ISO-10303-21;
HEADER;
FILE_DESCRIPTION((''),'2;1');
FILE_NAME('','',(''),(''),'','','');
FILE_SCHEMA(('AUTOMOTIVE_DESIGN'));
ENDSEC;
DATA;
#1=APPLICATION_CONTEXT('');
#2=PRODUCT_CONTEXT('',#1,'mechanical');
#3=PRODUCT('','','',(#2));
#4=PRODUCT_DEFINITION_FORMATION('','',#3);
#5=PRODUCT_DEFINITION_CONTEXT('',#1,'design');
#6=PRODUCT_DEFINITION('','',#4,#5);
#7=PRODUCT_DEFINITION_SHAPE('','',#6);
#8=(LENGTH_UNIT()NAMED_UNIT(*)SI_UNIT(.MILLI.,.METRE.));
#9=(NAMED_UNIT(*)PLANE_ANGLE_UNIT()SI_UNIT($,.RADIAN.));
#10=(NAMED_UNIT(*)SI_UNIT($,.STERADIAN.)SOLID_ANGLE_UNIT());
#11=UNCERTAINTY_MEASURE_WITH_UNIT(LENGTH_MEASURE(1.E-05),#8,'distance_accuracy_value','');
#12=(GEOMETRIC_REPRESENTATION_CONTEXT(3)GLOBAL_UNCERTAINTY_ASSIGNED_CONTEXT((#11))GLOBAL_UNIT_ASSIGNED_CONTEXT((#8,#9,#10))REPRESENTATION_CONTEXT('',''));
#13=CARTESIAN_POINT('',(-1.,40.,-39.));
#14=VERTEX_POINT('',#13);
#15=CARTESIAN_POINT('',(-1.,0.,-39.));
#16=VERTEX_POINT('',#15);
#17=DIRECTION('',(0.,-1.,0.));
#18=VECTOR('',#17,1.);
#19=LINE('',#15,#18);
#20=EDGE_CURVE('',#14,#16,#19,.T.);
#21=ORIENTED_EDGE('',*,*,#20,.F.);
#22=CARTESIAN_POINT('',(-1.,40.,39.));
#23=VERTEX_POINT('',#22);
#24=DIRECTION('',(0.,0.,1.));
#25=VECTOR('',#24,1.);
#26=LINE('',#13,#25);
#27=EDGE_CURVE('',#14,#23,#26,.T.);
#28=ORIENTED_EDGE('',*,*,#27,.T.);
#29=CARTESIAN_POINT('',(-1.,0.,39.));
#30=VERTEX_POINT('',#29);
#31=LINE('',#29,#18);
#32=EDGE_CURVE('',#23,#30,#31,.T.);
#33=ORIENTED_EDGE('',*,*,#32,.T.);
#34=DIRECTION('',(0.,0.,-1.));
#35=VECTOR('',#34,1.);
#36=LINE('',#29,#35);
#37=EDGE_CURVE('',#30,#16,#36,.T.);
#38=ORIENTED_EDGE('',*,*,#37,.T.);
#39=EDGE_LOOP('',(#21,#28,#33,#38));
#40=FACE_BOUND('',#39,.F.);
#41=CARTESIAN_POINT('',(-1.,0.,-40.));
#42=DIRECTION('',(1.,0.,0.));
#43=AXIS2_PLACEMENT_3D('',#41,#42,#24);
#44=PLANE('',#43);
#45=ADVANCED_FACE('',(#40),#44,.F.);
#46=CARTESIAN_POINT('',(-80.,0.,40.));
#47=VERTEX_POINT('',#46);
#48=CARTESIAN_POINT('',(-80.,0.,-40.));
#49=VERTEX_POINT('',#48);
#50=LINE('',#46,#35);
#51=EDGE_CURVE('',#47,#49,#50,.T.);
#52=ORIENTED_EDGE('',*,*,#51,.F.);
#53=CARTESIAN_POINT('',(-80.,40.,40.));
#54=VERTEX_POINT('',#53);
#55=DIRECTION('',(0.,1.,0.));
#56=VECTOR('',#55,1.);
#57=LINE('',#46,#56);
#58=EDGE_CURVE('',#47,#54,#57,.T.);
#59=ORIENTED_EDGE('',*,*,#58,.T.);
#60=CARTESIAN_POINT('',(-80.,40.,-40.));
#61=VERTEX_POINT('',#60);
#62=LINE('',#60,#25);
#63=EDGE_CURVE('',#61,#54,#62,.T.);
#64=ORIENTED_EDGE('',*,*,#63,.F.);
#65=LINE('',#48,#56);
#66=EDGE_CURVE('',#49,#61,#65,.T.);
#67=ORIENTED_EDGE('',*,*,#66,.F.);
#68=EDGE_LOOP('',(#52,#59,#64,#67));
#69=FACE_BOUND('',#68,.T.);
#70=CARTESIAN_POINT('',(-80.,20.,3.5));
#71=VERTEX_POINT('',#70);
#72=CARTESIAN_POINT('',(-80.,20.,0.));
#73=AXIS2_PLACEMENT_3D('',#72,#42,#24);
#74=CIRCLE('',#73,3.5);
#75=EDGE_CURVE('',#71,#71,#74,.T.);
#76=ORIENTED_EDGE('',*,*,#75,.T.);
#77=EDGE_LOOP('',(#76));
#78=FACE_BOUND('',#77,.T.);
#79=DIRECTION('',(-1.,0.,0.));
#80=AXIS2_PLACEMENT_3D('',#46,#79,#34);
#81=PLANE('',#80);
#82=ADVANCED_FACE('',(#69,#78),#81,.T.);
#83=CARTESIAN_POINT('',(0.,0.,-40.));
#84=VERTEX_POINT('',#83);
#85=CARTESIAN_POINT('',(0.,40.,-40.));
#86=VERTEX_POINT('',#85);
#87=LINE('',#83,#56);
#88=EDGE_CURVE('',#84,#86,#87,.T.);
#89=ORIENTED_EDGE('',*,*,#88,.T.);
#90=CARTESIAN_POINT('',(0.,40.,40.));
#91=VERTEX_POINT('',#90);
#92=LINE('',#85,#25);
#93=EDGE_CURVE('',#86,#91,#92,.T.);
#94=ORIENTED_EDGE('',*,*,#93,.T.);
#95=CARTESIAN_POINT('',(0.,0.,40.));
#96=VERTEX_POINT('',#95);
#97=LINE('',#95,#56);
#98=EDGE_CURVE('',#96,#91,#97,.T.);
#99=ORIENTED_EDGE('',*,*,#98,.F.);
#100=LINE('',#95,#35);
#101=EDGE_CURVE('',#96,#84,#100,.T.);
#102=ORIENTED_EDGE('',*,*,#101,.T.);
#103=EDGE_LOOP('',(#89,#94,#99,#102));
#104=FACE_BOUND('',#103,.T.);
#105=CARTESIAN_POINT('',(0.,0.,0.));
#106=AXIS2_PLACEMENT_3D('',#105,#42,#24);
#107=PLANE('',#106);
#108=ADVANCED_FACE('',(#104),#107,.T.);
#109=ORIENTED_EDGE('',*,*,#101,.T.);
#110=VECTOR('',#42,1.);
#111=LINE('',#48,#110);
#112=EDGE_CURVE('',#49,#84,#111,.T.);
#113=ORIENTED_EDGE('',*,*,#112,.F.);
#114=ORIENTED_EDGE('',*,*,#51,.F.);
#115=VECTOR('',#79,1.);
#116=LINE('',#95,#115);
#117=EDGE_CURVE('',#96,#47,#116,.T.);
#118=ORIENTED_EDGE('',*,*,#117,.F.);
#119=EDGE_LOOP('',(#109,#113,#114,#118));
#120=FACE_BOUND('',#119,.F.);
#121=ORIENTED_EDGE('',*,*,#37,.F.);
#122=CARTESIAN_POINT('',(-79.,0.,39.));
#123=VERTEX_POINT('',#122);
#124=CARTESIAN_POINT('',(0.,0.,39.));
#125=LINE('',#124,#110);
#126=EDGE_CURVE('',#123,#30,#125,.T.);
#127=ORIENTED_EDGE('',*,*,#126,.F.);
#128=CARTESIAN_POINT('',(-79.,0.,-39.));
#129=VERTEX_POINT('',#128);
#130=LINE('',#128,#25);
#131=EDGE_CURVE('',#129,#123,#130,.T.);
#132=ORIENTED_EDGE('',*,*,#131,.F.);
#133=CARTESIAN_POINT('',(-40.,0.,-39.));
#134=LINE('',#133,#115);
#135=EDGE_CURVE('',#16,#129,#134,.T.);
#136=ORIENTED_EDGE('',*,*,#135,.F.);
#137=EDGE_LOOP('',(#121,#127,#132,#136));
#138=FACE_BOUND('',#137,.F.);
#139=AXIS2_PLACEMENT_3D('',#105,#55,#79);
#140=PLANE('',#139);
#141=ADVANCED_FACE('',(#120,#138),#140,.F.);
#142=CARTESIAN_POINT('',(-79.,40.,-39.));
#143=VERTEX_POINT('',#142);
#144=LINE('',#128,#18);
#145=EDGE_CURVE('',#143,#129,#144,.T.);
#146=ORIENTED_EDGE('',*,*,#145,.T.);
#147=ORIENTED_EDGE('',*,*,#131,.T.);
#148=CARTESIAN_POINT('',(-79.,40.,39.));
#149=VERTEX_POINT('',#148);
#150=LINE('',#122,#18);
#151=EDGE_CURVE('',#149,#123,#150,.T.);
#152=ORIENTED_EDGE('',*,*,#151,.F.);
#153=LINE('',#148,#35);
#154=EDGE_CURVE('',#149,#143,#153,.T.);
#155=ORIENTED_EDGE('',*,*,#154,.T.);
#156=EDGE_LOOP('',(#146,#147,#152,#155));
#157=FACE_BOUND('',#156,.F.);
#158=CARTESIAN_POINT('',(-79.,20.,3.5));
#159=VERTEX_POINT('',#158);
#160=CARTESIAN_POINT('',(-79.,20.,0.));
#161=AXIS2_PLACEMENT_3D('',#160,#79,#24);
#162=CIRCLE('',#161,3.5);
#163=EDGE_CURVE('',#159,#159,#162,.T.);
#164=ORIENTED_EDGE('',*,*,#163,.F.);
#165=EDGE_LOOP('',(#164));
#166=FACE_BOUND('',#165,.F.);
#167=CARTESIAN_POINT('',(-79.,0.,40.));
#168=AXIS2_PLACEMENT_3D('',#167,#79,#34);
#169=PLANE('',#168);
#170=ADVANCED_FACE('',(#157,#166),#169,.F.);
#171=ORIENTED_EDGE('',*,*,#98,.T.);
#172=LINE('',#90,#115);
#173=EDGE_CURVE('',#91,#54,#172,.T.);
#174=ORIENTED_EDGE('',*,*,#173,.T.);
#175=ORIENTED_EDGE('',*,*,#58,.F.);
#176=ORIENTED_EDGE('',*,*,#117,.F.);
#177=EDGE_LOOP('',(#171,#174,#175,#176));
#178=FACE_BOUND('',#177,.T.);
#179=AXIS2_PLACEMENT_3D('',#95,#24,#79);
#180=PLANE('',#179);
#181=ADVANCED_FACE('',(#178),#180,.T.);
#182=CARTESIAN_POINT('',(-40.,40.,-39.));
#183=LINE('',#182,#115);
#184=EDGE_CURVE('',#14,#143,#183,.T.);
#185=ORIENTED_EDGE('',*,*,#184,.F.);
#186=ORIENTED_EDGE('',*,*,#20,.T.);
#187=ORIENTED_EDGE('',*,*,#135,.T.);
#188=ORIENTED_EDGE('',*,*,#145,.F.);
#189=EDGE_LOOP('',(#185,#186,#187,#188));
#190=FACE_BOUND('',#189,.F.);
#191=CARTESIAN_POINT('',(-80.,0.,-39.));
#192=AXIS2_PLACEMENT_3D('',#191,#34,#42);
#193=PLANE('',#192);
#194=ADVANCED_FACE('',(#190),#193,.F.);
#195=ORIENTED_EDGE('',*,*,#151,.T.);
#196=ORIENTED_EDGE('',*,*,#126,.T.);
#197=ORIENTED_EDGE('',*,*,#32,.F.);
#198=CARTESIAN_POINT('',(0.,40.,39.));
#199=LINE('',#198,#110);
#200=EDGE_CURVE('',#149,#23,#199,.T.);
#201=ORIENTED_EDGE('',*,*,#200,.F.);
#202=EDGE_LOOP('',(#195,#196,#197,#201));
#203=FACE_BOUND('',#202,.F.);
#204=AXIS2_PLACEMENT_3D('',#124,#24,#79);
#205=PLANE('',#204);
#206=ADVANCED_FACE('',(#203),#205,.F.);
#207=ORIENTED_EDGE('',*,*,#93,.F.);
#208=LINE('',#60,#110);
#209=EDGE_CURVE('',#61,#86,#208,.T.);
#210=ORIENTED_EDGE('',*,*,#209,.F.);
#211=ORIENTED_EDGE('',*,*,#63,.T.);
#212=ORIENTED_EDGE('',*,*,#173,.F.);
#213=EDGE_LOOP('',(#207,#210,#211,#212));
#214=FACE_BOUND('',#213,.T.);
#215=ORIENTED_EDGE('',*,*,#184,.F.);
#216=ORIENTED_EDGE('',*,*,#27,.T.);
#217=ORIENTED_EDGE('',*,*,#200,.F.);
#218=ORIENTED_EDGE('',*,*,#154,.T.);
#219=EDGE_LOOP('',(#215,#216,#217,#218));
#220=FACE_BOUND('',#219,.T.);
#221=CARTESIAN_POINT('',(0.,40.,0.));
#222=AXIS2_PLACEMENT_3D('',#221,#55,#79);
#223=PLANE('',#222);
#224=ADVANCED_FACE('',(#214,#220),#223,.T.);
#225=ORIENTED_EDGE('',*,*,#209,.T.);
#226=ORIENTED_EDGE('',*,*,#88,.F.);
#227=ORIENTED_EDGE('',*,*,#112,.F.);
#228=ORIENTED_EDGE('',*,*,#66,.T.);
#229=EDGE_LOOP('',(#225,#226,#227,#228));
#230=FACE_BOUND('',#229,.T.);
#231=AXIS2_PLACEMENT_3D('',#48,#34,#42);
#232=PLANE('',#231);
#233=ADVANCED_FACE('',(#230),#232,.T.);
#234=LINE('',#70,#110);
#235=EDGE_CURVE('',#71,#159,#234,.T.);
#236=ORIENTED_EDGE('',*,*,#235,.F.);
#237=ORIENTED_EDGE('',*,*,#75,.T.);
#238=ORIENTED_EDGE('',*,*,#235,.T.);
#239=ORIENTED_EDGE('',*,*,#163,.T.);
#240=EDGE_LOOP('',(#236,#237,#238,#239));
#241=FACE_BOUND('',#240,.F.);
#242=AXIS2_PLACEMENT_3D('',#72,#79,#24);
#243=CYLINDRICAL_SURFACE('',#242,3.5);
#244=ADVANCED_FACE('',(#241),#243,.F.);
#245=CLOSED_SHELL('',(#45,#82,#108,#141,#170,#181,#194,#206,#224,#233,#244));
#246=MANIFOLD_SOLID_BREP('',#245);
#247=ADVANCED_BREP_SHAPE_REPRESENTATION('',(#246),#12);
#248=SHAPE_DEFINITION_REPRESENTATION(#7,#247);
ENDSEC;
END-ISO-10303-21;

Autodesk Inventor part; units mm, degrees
ref_plane "YZ Plane" through (0, 0, 0) normal (1, 0, 0) x (0, 1, 0)
ref_plane "XZ Plane" through (0, 0, 0) normal (0, 1, 0) x (-1, 0, 0)
ref_plane "XY Plane" through (0, 0, 0) normal (0, 0, 1) x (1, 0, 0)
sketch "Sketch12" plane through (0, 0, 0) normal (0, 1, 0) x (-1, 0, 0)
  line L0 (0, 0) -> (0, 40)
  line L1 (0, 40) -> (80, 40)
  line L2 (80, 40) -> (80, 0)
  line L3 (80, 0) -> (80, -40)
  line L4 (80, -40) -> (0, -40)
  line L5 (0, -40) -> (0, 0)
  dimension "d39" = 40
  dimension "d40" = 80
  dimension "d41" = 40
extrude "Extrusion10" add sketch "Sketch12" along normal blind 40
shell "Shell2" thickness 1 removed faces 2 at (-26.6667, 0, -13.3333) at (-26.6667, 40, -13.3333)
sketch "Sketch13" plane through (-80, 0, -40) normal (-1, 0, 0) x (0, 0, 1)
  line L0 (0, 0) -> (80, 0) projected
  line L1 (80, 40) -> (0, 40) projected
  circle A0 centre (40, 20) radius 3.5
  point P0 (40, 0)
  dimension "d45" = 7
extrude "Extrusion11" cut sketch "Sketch13" against normal blind 1
properties part number "MAN_BASIS_PRIMARY_STRUCTURE" material "ABS Plastic"
